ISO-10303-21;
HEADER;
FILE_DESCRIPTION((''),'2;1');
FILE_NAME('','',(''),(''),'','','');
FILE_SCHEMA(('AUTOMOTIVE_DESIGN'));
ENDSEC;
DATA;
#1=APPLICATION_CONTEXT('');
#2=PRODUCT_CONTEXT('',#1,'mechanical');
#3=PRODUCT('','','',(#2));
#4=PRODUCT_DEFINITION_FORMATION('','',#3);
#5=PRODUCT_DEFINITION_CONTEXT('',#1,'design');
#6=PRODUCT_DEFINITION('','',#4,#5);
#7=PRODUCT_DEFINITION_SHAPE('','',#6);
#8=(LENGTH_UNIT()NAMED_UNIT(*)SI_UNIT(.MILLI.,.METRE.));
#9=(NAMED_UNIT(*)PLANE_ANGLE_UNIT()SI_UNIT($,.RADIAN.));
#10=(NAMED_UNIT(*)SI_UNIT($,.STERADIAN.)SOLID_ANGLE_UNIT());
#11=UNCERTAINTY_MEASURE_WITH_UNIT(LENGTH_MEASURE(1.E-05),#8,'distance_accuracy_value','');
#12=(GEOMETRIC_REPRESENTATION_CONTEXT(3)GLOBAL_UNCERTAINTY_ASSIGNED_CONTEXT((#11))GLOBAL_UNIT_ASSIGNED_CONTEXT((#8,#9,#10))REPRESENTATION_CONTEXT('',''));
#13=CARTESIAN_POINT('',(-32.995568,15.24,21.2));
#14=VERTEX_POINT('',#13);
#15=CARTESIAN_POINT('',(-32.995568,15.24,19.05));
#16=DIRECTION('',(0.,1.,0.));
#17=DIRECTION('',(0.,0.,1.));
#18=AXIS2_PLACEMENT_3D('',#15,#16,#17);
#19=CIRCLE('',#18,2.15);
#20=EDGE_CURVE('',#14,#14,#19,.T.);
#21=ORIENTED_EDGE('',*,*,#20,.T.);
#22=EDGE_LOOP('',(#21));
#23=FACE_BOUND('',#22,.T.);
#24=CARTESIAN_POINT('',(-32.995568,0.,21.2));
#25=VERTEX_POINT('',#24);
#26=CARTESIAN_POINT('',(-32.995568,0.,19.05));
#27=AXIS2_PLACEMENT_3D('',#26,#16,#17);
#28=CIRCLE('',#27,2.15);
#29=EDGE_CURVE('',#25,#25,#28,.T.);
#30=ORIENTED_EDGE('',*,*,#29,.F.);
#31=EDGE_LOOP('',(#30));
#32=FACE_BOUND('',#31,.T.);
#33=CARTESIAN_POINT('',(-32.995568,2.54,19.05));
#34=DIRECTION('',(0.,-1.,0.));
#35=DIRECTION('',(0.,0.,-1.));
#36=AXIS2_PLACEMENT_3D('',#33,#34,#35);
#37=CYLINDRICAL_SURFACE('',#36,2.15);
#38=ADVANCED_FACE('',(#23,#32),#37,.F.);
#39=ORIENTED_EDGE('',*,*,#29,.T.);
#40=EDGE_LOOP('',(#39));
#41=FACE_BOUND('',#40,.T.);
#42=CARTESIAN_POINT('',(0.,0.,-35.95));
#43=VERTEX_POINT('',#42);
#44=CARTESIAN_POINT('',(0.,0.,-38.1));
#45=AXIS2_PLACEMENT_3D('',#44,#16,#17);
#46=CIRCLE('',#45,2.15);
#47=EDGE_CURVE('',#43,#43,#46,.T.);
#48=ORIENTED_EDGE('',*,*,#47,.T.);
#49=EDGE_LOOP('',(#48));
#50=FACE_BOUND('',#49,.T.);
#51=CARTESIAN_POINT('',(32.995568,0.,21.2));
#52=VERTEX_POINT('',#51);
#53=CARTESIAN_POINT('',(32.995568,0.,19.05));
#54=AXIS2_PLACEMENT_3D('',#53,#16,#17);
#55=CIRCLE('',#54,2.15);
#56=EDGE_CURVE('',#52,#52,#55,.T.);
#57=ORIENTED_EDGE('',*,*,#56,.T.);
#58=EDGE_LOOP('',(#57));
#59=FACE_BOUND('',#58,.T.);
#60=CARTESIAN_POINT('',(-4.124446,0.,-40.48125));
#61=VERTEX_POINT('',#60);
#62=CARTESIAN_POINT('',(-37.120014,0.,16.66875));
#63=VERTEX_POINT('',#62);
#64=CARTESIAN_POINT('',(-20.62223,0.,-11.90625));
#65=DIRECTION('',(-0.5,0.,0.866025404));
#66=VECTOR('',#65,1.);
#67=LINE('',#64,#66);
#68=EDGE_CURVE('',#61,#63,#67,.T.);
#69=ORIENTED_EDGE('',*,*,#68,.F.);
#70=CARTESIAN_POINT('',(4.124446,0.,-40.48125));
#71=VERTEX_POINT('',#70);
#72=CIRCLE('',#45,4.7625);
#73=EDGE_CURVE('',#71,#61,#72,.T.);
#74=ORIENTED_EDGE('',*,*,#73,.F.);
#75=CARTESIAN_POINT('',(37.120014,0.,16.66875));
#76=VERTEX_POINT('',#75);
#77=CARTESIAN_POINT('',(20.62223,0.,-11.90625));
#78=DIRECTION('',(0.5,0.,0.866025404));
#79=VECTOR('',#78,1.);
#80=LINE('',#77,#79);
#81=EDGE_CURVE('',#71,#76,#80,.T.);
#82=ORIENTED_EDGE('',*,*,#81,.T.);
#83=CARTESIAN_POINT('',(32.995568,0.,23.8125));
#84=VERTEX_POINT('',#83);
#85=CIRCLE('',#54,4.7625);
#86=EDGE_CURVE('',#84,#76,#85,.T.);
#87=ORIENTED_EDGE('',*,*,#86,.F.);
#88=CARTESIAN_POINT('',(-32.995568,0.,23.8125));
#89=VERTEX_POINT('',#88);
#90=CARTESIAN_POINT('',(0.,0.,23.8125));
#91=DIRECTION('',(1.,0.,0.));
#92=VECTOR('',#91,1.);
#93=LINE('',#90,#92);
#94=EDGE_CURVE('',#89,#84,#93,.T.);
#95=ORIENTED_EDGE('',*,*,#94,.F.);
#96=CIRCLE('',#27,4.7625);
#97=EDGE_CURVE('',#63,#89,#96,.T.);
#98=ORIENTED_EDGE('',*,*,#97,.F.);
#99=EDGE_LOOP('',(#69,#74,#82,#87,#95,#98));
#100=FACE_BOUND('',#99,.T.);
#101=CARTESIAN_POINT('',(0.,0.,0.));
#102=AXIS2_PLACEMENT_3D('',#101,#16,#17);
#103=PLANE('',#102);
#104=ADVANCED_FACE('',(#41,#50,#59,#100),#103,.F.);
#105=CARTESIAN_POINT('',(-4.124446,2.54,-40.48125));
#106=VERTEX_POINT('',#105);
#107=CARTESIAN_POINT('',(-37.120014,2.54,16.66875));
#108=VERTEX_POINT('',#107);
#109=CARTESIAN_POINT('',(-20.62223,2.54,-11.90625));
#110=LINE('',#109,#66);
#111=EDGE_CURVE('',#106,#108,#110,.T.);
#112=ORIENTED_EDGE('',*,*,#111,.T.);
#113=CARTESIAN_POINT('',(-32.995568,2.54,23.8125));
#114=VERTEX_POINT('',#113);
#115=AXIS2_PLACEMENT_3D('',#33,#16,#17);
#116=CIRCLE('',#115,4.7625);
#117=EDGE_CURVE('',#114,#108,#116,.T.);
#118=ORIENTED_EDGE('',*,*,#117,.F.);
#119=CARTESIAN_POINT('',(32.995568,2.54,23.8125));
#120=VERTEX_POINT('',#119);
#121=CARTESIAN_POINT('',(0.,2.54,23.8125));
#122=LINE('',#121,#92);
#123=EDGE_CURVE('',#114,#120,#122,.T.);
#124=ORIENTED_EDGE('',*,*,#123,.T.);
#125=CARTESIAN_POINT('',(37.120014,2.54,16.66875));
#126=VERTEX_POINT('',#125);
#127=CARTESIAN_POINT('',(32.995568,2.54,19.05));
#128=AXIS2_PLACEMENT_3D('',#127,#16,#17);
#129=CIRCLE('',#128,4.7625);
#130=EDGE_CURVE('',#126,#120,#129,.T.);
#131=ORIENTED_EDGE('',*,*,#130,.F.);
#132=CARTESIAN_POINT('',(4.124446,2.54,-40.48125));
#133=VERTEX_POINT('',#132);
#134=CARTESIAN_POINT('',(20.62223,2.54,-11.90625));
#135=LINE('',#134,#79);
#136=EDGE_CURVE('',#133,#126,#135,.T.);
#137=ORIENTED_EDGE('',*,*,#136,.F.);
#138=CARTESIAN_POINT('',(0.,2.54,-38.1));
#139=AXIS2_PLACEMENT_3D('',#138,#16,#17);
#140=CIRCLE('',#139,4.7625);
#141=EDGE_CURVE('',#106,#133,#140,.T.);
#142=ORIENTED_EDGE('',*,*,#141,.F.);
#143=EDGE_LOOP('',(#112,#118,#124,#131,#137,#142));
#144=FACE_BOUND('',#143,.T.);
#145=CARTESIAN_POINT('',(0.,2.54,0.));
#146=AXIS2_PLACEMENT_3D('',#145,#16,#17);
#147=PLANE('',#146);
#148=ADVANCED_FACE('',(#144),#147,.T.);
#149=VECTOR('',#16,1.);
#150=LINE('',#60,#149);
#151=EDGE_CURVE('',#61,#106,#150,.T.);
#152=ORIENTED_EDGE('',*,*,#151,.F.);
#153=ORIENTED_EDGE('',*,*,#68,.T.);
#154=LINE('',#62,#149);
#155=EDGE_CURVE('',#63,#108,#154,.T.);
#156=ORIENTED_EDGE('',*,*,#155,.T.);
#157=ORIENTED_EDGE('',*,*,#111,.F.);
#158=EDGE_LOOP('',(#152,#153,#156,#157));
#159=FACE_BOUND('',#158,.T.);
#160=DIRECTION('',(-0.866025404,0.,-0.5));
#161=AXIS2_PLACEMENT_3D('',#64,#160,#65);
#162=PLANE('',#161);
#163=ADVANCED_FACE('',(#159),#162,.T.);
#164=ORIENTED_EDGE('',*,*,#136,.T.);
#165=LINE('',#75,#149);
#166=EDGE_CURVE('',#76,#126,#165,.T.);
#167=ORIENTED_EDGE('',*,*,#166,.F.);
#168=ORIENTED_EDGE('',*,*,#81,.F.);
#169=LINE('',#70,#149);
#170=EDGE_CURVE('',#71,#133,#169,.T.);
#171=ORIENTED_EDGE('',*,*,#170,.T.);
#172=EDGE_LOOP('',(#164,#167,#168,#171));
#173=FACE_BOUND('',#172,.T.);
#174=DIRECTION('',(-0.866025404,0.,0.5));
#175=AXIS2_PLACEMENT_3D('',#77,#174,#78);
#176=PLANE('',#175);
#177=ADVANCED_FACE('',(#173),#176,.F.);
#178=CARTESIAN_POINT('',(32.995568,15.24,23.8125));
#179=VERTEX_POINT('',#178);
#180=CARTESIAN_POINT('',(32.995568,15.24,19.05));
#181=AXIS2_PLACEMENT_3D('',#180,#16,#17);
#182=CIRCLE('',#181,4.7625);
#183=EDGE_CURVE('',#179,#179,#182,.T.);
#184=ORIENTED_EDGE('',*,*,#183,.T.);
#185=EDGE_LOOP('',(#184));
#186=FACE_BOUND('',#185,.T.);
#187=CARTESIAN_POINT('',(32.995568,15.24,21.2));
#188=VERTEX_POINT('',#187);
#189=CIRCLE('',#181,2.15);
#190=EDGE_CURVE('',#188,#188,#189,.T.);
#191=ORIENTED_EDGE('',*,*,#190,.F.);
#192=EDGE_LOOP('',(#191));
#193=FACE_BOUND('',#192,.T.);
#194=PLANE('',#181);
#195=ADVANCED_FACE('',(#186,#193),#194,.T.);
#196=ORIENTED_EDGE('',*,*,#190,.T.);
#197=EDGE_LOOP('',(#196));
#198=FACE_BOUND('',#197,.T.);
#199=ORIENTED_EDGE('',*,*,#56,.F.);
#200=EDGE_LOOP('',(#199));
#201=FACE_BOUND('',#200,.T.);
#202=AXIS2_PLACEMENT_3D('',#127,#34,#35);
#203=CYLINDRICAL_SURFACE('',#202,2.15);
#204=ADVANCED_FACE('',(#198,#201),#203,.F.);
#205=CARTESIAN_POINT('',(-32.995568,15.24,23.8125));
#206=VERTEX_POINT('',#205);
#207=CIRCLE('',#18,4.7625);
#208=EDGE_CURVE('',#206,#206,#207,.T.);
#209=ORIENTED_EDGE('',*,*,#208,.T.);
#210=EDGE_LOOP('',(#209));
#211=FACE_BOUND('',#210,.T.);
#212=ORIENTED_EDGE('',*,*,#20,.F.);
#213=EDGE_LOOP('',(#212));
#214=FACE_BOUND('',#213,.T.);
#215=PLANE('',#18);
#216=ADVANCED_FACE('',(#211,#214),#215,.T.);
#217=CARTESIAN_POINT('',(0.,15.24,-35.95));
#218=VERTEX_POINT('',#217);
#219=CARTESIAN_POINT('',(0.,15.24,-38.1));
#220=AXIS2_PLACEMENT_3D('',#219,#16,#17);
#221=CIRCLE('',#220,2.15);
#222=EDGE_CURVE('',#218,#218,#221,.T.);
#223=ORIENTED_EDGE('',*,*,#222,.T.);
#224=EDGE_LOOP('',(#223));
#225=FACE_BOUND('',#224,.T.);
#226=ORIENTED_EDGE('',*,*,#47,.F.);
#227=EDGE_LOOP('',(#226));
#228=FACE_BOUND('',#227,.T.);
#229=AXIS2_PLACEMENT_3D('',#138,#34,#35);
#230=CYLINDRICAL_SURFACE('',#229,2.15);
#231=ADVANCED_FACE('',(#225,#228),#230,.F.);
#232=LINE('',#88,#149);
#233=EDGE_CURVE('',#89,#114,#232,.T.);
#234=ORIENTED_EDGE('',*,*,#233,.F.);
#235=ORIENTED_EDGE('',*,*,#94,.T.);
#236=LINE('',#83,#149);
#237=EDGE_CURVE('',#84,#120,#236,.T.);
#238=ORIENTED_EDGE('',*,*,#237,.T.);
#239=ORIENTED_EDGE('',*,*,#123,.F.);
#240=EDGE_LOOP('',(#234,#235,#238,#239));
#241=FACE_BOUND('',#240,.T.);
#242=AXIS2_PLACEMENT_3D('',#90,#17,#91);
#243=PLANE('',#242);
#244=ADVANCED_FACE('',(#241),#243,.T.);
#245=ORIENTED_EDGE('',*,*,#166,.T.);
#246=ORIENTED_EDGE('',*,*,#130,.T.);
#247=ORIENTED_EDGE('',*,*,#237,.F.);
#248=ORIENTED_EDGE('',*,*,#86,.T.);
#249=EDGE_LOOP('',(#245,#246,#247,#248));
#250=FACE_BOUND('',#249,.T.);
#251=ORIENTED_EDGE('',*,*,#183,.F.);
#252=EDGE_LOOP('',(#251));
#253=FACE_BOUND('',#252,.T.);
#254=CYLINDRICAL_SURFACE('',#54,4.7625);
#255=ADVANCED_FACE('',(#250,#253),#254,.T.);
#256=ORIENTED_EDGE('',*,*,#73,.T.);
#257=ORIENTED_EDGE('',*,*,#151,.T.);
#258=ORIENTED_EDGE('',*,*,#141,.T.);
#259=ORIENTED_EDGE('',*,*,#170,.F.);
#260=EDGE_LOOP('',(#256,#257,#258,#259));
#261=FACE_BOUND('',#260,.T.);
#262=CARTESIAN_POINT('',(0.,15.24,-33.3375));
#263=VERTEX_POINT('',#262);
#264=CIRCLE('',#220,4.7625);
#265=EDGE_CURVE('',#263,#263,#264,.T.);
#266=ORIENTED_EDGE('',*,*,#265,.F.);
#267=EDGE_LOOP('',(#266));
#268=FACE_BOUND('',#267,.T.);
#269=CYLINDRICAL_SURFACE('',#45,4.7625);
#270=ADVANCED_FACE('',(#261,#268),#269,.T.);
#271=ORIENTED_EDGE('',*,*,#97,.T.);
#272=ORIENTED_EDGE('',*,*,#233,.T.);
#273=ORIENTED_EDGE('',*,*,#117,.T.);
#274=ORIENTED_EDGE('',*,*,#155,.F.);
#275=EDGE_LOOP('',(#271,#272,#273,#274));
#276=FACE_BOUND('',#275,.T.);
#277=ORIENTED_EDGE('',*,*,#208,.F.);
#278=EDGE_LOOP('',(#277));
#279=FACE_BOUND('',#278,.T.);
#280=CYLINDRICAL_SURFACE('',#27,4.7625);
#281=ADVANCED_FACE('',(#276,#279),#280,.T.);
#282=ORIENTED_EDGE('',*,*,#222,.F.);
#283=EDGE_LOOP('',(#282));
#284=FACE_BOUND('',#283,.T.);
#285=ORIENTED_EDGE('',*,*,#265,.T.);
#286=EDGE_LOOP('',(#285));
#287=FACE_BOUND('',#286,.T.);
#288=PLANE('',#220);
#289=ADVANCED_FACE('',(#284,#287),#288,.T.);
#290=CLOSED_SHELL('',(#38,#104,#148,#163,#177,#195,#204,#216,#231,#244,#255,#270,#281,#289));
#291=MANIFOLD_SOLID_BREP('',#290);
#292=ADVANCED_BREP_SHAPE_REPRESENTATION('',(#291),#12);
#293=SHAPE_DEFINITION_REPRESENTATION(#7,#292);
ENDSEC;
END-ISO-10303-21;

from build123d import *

# Parameters (mm, degrees)
SKETCH1_R           = 42.8625
SKETCH1_R_2         = 2.15
BOSS_EXTRUDE1_DEPTH = 2.54
CUT_EXTRUDE1_START  = -2.54
CUT_EXTRUDE1_DEPTH  = 2.54
SKETCH6_R           = 4.7625
SKETCH6_R_2         = 2.15
BOSS_EXTRUDE4_DEPTH = 12.7


with BuildPart() as part:
    # Sketch1 → Boss-Extrude1 (new body)
    with BuildSketch(Plane(origin=(0, 0, 0), x_dir=(1, 0, 0), z_dir=(0, 1, 0))):
        Circle(SKETCH1_R)
        with Locations((0, 38.1)):
            Circle(SKETCH1_R_2, mode=Mode.SUBTRACT)
        with Locations((32.995567884, -19.05)):
            Circle(SKETCH1_R_2, mode=Mode.SUBTRACT)
        with Locations((-32.995567884, -19.05)):
            Circle(SKETCH1_R_2, mode=Mode.SUBTRACT)
    extrude(amount=BOSS_EXTRUDE1_DEPTH)

    # Sketch2 → Cut-Extrude1 (cut)
    with BuildSketch(Plane(origin=(0, 2.54, 0), x_dir=(1, 0, 0), z_dir=(0, 1, 0)).offset(CUT_EXTRUDE1_START)):
        with BuildLine():
            Line((-37.12001387, -16.66875), (-4.124445986, 40.48125))
            ThreePointArc((-4.124445986, 40.48125), (-2.381249978, 42.224445998), (5.1e-08, 42.8625))
            ThreePointArc((5.1e-08, 42.8625), (-37.120013889, 21.431249967), (-37.120013806, -21.431250111))
            ThreePointArc((-37.120013806, -21.431250111), (-37.758067884, -19.050000064), (-37.12001387, -16.66875))
        make_face()
        with BuildLine():
            ThreePointArc((37.120013869, -21.431250002), (37.120013883, 21.431249977), (5.1e-08, 42.8625))
            ThreePointArc((5.1e-08, 42.8625), (2.381250022, 42.224445973), (4.124445986, 40.48125))
            Line((4.124445986, 40.48125), (37.12001387, -16.66875))
            ThreePointArc((37.12001387, -16.66875), (37.758067884, -19.050000001), (37.120013869, -21.431250002))
        make_face()
        with BuildLine():
            ThreePointArc((-32.995567884, -23.8125), (-35.376817829, -23.174446018), (-37.120013806, -21.431250111))
            ThreePointArc((-37.120013806, -21.431250111), (6.3e-08, -42.8625), (37.120013869, -21.431250002))
            ThreePointArc((37.120013869, -21.431250002), (35.376817883, -23.174445986), (32.995567884, -23.8125))
            Line((32.995567884, -23.8125), (-32.995567884, -23.8125))
        make_face()
    extrude(amount=CUT_EXTRUDE1_DEPTH, mode=Mode.SUBTRACT)

    # Sketch6 → Boss-Extrude4 (add)
    # profile 1 of 3: a face of its own
    with BuildSketch(Plane(origin=(0, 2.54, 0), x_dir=(1, 0, 0), z_dir=(0, 1, 0))):
        with Locations((0, 38.1)):
            Circle(SKETCH6_R)
        with Locations((0, 38.1)):
            Circle(SKETCH6_R_2, mode=Mode.SUBTRACT)
    # profile 2 of 3: a face of its own
    with BuildSketch(Plane(origin=(0, 2.54, 0), x_dir=(1, 0, 0), z_dir=(0, 1, 0))):
        with Locations((32.995567884, -19.05)):
            Circle(SKETCH6_R)
        with Locations((32.995567884, -19.05)):
            Circle(SKETCH6_R_2, mode=Mode.SUBTRACT)
    # profile 3 of 3: a face of its own
    with BuildSketch(Plane(origin=(0, 2.54, 0), x_dir=(1, 0, 0), z_dir=(0, 1, 0))):
        with Locations((-32.995567884, -19.05)):
            Circle(SKETCH6_R)
        with Locations((-32.995567884, -19.05)):
            Circle(SKETCH6_R_2, mode=Mode.SUBTRACT)
    extrude(amount=BOSS_EXTRUDE4_DEPTH)


solid = part.part
